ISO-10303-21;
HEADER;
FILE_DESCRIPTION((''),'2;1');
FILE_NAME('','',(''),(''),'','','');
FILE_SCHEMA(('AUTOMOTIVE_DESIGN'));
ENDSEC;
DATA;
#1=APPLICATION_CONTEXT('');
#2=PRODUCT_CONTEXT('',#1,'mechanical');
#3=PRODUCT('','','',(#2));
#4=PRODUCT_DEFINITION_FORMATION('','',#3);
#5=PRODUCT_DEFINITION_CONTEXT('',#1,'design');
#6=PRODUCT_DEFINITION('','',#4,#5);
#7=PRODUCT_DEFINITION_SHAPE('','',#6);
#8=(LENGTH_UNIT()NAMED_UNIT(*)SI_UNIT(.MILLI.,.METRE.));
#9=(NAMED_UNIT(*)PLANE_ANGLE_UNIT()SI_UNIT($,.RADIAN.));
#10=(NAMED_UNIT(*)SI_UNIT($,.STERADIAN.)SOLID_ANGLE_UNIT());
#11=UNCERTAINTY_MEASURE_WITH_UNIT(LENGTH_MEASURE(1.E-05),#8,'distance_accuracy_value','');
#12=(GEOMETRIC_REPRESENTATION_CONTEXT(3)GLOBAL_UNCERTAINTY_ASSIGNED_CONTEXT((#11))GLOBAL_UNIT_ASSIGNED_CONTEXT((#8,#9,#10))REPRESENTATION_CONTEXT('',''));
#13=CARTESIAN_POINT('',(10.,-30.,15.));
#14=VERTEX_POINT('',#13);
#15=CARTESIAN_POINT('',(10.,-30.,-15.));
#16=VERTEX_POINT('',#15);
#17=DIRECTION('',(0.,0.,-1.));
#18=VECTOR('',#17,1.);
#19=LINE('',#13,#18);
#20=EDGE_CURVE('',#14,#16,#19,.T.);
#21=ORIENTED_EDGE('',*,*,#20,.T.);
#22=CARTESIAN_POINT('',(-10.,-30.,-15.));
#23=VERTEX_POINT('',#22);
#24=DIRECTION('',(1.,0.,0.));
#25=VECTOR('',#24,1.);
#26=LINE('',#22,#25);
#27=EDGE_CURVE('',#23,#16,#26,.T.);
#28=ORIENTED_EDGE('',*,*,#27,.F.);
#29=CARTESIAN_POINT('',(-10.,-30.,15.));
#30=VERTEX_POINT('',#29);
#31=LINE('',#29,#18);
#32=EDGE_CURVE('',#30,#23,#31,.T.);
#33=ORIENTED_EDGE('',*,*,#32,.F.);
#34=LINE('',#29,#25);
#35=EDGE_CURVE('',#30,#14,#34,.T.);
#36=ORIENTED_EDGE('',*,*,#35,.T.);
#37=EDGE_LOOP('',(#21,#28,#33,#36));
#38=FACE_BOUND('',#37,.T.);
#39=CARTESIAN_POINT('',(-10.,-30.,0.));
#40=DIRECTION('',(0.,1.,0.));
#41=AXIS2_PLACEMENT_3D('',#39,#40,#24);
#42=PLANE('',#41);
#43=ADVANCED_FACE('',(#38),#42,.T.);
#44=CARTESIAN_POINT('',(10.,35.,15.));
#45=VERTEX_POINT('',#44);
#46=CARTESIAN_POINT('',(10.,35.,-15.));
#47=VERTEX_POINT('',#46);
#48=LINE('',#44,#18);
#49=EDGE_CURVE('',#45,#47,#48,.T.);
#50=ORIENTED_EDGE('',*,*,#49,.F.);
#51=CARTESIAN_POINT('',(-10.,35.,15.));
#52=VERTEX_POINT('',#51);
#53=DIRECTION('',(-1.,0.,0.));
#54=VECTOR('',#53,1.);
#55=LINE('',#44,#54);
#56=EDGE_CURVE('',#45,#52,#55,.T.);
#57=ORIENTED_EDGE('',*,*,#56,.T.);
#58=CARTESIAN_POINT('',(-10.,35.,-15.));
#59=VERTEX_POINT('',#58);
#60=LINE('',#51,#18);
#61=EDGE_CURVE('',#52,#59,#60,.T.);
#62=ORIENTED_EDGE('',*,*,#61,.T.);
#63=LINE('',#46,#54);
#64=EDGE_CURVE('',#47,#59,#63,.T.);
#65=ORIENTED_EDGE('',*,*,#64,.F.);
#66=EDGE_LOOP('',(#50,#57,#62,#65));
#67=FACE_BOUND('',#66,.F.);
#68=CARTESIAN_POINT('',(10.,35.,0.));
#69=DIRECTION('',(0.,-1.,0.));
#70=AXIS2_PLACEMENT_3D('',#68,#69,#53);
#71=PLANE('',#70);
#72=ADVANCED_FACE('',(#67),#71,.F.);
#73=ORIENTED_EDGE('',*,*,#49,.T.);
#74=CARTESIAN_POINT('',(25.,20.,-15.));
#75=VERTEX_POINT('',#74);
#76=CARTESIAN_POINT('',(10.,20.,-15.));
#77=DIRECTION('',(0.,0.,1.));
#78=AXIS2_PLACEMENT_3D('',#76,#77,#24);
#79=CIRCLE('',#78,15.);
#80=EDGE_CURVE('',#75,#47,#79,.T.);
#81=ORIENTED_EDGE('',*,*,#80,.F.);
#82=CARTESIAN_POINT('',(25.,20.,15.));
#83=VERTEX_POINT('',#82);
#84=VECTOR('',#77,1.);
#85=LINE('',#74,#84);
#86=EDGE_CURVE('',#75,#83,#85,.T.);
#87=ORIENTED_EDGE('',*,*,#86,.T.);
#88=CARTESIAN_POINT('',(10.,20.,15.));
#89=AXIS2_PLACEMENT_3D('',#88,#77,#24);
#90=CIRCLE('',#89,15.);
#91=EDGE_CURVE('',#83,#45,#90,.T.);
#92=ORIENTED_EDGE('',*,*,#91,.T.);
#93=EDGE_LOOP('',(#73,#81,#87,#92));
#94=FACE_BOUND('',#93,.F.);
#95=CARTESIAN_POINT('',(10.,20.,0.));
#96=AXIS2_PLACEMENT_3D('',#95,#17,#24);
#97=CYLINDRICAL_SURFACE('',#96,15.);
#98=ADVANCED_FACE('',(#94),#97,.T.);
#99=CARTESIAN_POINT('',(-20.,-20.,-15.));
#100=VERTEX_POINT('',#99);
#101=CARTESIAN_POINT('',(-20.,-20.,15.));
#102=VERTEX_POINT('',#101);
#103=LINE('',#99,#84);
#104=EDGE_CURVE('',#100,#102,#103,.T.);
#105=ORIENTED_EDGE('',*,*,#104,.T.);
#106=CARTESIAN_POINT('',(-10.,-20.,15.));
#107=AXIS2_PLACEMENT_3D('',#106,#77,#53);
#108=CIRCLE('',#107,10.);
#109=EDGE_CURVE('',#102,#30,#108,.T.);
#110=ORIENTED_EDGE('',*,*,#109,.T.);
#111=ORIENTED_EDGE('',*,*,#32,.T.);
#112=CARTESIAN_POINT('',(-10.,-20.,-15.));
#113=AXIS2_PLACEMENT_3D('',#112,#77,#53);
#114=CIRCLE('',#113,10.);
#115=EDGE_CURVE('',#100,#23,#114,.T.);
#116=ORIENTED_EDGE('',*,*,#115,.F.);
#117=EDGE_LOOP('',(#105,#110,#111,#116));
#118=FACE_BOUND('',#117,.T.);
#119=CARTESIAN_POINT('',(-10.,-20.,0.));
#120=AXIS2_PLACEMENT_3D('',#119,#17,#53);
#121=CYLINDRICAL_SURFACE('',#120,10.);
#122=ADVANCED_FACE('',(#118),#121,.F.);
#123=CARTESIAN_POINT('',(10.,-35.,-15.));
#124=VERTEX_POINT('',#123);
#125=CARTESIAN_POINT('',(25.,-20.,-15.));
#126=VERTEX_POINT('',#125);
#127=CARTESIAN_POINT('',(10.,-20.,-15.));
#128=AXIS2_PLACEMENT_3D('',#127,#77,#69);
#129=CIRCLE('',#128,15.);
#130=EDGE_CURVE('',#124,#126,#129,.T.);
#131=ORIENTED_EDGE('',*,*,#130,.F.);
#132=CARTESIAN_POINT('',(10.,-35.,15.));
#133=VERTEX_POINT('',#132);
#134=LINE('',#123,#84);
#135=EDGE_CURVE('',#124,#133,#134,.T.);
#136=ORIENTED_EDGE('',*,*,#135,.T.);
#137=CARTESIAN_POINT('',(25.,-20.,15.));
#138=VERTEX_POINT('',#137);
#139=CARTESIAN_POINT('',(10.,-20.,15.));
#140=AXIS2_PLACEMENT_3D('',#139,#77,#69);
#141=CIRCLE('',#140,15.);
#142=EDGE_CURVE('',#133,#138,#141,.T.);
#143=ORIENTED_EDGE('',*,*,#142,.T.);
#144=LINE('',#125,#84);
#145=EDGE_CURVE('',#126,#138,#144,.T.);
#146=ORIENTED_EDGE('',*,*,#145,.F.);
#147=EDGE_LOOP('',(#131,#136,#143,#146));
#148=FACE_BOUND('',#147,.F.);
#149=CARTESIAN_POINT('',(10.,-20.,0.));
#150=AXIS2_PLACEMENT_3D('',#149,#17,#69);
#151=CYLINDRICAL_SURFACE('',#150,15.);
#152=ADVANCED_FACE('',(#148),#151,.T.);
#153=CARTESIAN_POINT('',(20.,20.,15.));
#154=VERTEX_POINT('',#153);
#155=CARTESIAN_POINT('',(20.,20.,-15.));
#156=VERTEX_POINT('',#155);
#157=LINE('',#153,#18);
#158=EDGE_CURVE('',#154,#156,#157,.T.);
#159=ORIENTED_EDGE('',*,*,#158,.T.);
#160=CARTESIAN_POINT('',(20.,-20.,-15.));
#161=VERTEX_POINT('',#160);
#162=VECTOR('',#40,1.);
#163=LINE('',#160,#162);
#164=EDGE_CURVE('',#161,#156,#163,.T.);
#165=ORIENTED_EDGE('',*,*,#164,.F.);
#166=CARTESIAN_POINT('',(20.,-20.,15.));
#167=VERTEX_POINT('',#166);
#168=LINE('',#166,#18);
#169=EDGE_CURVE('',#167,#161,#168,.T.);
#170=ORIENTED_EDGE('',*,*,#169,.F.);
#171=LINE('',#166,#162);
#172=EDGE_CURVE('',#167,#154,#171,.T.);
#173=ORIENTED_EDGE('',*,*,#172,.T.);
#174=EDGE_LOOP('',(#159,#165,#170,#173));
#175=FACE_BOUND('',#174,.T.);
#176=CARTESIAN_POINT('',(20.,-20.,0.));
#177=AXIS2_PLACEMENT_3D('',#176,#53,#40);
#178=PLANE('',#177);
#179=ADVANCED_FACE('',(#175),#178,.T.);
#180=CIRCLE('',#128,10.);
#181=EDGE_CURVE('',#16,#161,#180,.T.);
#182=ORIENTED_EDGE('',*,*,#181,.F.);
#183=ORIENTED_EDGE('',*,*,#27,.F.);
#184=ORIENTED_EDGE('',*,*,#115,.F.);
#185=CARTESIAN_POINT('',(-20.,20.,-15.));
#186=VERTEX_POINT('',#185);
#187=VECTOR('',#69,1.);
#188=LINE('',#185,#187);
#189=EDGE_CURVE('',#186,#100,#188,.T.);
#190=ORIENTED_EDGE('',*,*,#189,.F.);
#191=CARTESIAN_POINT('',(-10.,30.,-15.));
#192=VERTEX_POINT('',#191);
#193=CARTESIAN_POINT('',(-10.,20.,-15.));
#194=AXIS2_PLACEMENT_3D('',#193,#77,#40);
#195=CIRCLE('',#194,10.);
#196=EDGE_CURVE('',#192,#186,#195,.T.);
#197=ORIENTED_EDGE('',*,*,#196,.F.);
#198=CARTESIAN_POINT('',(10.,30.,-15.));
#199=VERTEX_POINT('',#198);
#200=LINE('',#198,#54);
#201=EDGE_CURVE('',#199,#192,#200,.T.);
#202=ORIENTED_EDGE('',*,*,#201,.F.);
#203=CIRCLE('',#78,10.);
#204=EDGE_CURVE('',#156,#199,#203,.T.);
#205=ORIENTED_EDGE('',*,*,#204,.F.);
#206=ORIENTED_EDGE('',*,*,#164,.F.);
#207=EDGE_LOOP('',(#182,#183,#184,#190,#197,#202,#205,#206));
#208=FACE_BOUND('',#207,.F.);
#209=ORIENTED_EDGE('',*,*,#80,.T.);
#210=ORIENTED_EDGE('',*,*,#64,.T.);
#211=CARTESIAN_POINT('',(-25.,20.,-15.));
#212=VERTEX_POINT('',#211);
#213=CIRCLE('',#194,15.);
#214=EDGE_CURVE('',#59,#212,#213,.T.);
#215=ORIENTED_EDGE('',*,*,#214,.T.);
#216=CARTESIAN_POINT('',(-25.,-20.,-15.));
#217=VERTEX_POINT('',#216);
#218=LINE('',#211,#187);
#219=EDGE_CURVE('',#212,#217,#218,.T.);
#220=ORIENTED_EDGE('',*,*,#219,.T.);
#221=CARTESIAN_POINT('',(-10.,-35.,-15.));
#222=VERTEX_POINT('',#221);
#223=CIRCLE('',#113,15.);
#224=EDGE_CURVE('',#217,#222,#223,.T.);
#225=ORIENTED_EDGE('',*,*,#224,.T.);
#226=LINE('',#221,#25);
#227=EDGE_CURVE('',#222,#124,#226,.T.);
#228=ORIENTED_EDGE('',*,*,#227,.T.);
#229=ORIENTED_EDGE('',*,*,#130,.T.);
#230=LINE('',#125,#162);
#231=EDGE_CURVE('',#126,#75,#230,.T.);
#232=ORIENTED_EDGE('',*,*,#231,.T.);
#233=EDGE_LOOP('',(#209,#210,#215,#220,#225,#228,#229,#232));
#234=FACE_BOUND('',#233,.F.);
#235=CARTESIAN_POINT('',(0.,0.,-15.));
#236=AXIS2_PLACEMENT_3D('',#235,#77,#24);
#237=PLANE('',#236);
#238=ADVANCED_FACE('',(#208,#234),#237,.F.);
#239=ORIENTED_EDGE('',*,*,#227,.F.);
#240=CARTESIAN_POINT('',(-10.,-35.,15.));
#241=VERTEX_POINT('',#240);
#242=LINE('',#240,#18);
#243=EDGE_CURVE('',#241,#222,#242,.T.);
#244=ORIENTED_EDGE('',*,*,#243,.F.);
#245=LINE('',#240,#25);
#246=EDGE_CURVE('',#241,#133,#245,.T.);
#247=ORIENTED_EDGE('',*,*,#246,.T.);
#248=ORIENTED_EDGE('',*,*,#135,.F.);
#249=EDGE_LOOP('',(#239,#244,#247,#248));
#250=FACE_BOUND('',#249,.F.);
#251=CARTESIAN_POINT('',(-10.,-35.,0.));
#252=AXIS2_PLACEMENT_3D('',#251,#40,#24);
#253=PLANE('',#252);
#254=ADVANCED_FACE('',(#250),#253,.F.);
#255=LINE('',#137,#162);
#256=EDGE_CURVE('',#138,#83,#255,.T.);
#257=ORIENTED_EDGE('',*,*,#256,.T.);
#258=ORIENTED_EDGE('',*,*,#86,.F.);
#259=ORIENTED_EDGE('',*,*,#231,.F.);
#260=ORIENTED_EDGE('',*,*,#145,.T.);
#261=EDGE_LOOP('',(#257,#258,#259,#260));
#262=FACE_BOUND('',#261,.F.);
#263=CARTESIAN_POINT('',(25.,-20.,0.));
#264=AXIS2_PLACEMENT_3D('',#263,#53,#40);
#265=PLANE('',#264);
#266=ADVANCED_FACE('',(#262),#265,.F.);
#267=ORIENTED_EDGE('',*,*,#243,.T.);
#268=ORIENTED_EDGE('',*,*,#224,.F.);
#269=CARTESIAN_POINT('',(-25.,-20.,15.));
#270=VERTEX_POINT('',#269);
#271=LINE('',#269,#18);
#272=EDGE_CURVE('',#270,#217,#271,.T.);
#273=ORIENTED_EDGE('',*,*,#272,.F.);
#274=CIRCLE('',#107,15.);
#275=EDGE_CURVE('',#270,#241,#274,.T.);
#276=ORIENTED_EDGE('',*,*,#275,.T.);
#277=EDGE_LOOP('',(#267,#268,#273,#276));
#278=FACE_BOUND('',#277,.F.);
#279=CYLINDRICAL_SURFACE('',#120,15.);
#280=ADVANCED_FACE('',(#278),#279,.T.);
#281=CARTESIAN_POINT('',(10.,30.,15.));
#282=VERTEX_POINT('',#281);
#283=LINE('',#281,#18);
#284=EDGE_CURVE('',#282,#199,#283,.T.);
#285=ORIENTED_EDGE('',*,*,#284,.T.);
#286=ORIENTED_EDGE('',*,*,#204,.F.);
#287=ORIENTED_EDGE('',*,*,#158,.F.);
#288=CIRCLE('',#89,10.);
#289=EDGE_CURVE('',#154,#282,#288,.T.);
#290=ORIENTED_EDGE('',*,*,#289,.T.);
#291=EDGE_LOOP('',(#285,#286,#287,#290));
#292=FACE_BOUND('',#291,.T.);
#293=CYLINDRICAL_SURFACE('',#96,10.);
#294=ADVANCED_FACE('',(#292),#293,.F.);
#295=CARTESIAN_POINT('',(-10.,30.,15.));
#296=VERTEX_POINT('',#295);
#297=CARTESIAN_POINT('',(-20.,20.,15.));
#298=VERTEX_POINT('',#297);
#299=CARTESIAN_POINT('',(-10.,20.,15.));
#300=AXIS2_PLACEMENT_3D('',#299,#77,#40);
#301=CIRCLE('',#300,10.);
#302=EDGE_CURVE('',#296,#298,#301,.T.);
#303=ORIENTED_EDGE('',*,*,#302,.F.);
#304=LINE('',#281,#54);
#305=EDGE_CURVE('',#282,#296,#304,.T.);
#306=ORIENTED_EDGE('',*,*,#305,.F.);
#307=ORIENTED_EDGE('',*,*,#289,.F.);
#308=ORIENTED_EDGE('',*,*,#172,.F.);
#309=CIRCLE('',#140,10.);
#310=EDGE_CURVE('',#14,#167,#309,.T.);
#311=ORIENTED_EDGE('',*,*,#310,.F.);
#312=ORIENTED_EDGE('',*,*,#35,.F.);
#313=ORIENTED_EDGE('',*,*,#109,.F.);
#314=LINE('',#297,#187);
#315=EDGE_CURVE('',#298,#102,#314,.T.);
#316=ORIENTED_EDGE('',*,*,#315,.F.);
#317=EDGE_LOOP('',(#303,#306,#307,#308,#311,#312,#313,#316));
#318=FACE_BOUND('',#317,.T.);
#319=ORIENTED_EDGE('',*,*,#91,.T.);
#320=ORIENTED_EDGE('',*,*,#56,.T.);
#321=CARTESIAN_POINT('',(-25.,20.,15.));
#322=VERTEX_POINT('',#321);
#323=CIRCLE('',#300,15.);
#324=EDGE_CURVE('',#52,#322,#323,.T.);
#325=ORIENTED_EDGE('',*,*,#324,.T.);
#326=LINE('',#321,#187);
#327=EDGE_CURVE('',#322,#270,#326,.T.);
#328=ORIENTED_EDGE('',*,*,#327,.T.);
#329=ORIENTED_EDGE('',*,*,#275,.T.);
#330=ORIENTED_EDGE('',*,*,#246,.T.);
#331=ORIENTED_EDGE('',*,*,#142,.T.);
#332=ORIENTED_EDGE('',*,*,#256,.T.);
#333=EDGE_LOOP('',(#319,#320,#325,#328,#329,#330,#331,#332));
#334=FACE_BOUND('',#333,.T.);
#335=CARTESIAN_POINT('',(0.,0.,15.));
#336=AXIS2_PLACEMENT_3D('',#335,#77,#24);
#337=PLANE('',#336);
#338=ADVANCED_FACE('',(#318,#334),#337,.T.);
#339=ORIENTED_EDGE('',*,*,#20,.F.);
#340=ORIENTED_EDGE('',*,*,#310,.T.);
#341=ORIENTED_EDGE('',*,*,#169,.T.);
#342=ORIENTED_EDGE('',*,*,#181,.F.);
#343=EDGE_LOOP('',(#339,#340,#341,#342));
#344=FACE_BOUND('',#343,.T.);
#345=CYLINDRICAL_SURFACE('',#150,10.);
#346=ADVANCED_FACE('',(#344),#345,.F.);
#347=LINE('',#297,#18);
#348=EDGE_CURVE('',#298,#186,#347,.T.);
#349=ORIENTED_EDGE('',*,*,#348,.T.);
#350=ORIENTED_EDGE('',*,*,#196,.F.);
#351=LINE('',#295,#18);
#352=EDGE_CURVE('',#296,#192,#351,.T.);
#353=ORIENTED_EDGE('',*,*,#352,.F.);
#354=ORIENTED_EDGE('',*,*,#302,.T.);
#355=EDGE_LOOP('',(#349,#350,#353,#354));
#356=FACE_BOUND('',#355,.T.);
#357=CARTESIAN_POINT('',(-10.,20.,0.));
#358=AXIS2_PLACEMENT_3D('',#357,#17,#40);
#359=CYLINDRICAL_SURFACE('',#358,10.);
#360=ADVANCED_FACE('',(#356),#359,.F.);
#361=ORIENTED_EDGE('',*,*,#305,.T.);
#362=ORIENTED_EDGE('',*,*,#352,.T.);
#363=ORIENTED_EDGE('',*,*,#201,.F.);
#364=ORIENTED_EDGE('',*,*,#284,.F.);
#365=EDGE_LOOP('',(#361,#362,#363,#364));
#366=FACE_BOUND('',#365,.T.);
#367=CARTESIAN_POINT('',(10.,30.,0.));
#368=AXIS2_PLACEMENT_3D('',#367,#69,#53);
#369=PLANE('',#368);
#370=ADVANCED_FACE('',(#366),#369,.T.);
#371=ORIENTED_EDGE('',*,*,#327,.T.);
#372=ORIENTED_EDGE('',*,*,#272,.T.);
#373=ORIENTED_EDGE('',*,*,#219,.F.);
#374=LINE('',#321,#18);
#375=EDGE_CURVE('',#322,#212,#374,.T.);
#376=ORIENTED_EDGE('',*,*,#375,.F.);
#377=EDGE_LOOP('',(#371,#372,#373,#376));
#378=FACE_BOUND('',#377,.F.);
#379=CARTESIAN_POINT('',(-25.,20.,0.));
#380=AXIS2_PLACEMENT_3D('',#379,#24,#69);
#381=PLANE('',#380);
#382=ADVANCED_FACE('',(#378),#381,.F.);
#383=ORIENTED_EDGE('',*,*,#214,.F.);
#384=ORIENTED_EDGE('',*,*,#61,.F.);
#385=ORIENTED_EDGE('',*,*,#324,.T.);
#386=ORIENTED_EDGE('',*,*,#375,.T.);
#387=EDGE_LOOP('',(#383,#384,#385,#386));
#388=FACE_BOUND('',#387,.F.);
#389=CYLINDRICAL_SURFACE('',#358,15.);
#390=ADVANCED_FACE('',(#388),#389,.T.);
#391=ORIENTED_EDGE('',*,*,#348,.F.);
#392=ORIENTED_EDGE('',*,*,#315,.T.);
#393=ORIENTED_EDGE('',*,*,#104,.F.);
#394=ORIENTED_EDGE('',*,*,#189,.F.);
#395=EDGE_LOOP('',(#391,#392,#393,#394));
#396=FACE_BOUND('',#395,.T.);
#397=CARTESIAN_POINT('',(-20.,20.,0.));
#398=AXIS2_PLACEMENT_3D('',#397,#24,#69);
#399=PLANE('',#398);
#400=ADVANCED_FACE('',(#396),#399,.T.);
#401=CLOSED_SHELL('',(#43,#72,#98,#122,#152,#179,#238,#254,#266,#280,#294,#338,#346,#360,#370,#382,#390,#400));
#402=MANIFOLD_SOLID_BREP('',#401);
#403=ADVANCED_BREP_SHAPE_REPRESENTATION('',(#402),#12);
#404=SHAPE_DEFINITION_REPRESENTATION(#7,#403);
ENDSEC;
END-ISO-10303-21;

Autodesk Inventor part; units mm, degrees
sketch "Эскиз1" plane through (0, 0, 0) normal (0, 0, 1) x (1, 0, 0)
  arc A0 (-20, -20) -> (-10, -30) centre (-10, -20) ccw projected
  line L0 (-20, 20) -> (-20, -20) projected
  arc A1 (-10, 30) -> (-20, 20) centre (-10, 20) ccw projected
  line L1 (10, 30) -> (-10, 30) projected
  arc A2 (20, 20) -> (10, 30) centre (10, 20) ccw projected
  line L2 (20, -20) -> (20, 20) projected
  arc A3 (10, -30) -> (20, -20) centre (10, -20) ccw projected
  line L3 (-10, -30) -> (10, -30) projected
  arc A4 (10, -35) -> (25, -20) centre (10, -20) ccw
  line L4 (25, -20) -> (25, 20)
  arc A5 (25, 20) -> (10, 35) centre (10, 20) ccw
  line L5 (10, 35) -> (-10, 35)
  arc A6 (-10, 35) -> (-25, 20) centre (-10, 20) ccw
  line L6 (-25, 20) -> (-25, -20)
  arc A7 (-25, -20) -> (-10, -35) centre (-10, -20) ccw
  line L7 (-10, -35) -> (10, -35)
  dimension "d4" = 5
extrude "Выдавливание1" add sketch "Эскиз1" along normal mid plane 30
properties part number "Козырёк_версия_2"
